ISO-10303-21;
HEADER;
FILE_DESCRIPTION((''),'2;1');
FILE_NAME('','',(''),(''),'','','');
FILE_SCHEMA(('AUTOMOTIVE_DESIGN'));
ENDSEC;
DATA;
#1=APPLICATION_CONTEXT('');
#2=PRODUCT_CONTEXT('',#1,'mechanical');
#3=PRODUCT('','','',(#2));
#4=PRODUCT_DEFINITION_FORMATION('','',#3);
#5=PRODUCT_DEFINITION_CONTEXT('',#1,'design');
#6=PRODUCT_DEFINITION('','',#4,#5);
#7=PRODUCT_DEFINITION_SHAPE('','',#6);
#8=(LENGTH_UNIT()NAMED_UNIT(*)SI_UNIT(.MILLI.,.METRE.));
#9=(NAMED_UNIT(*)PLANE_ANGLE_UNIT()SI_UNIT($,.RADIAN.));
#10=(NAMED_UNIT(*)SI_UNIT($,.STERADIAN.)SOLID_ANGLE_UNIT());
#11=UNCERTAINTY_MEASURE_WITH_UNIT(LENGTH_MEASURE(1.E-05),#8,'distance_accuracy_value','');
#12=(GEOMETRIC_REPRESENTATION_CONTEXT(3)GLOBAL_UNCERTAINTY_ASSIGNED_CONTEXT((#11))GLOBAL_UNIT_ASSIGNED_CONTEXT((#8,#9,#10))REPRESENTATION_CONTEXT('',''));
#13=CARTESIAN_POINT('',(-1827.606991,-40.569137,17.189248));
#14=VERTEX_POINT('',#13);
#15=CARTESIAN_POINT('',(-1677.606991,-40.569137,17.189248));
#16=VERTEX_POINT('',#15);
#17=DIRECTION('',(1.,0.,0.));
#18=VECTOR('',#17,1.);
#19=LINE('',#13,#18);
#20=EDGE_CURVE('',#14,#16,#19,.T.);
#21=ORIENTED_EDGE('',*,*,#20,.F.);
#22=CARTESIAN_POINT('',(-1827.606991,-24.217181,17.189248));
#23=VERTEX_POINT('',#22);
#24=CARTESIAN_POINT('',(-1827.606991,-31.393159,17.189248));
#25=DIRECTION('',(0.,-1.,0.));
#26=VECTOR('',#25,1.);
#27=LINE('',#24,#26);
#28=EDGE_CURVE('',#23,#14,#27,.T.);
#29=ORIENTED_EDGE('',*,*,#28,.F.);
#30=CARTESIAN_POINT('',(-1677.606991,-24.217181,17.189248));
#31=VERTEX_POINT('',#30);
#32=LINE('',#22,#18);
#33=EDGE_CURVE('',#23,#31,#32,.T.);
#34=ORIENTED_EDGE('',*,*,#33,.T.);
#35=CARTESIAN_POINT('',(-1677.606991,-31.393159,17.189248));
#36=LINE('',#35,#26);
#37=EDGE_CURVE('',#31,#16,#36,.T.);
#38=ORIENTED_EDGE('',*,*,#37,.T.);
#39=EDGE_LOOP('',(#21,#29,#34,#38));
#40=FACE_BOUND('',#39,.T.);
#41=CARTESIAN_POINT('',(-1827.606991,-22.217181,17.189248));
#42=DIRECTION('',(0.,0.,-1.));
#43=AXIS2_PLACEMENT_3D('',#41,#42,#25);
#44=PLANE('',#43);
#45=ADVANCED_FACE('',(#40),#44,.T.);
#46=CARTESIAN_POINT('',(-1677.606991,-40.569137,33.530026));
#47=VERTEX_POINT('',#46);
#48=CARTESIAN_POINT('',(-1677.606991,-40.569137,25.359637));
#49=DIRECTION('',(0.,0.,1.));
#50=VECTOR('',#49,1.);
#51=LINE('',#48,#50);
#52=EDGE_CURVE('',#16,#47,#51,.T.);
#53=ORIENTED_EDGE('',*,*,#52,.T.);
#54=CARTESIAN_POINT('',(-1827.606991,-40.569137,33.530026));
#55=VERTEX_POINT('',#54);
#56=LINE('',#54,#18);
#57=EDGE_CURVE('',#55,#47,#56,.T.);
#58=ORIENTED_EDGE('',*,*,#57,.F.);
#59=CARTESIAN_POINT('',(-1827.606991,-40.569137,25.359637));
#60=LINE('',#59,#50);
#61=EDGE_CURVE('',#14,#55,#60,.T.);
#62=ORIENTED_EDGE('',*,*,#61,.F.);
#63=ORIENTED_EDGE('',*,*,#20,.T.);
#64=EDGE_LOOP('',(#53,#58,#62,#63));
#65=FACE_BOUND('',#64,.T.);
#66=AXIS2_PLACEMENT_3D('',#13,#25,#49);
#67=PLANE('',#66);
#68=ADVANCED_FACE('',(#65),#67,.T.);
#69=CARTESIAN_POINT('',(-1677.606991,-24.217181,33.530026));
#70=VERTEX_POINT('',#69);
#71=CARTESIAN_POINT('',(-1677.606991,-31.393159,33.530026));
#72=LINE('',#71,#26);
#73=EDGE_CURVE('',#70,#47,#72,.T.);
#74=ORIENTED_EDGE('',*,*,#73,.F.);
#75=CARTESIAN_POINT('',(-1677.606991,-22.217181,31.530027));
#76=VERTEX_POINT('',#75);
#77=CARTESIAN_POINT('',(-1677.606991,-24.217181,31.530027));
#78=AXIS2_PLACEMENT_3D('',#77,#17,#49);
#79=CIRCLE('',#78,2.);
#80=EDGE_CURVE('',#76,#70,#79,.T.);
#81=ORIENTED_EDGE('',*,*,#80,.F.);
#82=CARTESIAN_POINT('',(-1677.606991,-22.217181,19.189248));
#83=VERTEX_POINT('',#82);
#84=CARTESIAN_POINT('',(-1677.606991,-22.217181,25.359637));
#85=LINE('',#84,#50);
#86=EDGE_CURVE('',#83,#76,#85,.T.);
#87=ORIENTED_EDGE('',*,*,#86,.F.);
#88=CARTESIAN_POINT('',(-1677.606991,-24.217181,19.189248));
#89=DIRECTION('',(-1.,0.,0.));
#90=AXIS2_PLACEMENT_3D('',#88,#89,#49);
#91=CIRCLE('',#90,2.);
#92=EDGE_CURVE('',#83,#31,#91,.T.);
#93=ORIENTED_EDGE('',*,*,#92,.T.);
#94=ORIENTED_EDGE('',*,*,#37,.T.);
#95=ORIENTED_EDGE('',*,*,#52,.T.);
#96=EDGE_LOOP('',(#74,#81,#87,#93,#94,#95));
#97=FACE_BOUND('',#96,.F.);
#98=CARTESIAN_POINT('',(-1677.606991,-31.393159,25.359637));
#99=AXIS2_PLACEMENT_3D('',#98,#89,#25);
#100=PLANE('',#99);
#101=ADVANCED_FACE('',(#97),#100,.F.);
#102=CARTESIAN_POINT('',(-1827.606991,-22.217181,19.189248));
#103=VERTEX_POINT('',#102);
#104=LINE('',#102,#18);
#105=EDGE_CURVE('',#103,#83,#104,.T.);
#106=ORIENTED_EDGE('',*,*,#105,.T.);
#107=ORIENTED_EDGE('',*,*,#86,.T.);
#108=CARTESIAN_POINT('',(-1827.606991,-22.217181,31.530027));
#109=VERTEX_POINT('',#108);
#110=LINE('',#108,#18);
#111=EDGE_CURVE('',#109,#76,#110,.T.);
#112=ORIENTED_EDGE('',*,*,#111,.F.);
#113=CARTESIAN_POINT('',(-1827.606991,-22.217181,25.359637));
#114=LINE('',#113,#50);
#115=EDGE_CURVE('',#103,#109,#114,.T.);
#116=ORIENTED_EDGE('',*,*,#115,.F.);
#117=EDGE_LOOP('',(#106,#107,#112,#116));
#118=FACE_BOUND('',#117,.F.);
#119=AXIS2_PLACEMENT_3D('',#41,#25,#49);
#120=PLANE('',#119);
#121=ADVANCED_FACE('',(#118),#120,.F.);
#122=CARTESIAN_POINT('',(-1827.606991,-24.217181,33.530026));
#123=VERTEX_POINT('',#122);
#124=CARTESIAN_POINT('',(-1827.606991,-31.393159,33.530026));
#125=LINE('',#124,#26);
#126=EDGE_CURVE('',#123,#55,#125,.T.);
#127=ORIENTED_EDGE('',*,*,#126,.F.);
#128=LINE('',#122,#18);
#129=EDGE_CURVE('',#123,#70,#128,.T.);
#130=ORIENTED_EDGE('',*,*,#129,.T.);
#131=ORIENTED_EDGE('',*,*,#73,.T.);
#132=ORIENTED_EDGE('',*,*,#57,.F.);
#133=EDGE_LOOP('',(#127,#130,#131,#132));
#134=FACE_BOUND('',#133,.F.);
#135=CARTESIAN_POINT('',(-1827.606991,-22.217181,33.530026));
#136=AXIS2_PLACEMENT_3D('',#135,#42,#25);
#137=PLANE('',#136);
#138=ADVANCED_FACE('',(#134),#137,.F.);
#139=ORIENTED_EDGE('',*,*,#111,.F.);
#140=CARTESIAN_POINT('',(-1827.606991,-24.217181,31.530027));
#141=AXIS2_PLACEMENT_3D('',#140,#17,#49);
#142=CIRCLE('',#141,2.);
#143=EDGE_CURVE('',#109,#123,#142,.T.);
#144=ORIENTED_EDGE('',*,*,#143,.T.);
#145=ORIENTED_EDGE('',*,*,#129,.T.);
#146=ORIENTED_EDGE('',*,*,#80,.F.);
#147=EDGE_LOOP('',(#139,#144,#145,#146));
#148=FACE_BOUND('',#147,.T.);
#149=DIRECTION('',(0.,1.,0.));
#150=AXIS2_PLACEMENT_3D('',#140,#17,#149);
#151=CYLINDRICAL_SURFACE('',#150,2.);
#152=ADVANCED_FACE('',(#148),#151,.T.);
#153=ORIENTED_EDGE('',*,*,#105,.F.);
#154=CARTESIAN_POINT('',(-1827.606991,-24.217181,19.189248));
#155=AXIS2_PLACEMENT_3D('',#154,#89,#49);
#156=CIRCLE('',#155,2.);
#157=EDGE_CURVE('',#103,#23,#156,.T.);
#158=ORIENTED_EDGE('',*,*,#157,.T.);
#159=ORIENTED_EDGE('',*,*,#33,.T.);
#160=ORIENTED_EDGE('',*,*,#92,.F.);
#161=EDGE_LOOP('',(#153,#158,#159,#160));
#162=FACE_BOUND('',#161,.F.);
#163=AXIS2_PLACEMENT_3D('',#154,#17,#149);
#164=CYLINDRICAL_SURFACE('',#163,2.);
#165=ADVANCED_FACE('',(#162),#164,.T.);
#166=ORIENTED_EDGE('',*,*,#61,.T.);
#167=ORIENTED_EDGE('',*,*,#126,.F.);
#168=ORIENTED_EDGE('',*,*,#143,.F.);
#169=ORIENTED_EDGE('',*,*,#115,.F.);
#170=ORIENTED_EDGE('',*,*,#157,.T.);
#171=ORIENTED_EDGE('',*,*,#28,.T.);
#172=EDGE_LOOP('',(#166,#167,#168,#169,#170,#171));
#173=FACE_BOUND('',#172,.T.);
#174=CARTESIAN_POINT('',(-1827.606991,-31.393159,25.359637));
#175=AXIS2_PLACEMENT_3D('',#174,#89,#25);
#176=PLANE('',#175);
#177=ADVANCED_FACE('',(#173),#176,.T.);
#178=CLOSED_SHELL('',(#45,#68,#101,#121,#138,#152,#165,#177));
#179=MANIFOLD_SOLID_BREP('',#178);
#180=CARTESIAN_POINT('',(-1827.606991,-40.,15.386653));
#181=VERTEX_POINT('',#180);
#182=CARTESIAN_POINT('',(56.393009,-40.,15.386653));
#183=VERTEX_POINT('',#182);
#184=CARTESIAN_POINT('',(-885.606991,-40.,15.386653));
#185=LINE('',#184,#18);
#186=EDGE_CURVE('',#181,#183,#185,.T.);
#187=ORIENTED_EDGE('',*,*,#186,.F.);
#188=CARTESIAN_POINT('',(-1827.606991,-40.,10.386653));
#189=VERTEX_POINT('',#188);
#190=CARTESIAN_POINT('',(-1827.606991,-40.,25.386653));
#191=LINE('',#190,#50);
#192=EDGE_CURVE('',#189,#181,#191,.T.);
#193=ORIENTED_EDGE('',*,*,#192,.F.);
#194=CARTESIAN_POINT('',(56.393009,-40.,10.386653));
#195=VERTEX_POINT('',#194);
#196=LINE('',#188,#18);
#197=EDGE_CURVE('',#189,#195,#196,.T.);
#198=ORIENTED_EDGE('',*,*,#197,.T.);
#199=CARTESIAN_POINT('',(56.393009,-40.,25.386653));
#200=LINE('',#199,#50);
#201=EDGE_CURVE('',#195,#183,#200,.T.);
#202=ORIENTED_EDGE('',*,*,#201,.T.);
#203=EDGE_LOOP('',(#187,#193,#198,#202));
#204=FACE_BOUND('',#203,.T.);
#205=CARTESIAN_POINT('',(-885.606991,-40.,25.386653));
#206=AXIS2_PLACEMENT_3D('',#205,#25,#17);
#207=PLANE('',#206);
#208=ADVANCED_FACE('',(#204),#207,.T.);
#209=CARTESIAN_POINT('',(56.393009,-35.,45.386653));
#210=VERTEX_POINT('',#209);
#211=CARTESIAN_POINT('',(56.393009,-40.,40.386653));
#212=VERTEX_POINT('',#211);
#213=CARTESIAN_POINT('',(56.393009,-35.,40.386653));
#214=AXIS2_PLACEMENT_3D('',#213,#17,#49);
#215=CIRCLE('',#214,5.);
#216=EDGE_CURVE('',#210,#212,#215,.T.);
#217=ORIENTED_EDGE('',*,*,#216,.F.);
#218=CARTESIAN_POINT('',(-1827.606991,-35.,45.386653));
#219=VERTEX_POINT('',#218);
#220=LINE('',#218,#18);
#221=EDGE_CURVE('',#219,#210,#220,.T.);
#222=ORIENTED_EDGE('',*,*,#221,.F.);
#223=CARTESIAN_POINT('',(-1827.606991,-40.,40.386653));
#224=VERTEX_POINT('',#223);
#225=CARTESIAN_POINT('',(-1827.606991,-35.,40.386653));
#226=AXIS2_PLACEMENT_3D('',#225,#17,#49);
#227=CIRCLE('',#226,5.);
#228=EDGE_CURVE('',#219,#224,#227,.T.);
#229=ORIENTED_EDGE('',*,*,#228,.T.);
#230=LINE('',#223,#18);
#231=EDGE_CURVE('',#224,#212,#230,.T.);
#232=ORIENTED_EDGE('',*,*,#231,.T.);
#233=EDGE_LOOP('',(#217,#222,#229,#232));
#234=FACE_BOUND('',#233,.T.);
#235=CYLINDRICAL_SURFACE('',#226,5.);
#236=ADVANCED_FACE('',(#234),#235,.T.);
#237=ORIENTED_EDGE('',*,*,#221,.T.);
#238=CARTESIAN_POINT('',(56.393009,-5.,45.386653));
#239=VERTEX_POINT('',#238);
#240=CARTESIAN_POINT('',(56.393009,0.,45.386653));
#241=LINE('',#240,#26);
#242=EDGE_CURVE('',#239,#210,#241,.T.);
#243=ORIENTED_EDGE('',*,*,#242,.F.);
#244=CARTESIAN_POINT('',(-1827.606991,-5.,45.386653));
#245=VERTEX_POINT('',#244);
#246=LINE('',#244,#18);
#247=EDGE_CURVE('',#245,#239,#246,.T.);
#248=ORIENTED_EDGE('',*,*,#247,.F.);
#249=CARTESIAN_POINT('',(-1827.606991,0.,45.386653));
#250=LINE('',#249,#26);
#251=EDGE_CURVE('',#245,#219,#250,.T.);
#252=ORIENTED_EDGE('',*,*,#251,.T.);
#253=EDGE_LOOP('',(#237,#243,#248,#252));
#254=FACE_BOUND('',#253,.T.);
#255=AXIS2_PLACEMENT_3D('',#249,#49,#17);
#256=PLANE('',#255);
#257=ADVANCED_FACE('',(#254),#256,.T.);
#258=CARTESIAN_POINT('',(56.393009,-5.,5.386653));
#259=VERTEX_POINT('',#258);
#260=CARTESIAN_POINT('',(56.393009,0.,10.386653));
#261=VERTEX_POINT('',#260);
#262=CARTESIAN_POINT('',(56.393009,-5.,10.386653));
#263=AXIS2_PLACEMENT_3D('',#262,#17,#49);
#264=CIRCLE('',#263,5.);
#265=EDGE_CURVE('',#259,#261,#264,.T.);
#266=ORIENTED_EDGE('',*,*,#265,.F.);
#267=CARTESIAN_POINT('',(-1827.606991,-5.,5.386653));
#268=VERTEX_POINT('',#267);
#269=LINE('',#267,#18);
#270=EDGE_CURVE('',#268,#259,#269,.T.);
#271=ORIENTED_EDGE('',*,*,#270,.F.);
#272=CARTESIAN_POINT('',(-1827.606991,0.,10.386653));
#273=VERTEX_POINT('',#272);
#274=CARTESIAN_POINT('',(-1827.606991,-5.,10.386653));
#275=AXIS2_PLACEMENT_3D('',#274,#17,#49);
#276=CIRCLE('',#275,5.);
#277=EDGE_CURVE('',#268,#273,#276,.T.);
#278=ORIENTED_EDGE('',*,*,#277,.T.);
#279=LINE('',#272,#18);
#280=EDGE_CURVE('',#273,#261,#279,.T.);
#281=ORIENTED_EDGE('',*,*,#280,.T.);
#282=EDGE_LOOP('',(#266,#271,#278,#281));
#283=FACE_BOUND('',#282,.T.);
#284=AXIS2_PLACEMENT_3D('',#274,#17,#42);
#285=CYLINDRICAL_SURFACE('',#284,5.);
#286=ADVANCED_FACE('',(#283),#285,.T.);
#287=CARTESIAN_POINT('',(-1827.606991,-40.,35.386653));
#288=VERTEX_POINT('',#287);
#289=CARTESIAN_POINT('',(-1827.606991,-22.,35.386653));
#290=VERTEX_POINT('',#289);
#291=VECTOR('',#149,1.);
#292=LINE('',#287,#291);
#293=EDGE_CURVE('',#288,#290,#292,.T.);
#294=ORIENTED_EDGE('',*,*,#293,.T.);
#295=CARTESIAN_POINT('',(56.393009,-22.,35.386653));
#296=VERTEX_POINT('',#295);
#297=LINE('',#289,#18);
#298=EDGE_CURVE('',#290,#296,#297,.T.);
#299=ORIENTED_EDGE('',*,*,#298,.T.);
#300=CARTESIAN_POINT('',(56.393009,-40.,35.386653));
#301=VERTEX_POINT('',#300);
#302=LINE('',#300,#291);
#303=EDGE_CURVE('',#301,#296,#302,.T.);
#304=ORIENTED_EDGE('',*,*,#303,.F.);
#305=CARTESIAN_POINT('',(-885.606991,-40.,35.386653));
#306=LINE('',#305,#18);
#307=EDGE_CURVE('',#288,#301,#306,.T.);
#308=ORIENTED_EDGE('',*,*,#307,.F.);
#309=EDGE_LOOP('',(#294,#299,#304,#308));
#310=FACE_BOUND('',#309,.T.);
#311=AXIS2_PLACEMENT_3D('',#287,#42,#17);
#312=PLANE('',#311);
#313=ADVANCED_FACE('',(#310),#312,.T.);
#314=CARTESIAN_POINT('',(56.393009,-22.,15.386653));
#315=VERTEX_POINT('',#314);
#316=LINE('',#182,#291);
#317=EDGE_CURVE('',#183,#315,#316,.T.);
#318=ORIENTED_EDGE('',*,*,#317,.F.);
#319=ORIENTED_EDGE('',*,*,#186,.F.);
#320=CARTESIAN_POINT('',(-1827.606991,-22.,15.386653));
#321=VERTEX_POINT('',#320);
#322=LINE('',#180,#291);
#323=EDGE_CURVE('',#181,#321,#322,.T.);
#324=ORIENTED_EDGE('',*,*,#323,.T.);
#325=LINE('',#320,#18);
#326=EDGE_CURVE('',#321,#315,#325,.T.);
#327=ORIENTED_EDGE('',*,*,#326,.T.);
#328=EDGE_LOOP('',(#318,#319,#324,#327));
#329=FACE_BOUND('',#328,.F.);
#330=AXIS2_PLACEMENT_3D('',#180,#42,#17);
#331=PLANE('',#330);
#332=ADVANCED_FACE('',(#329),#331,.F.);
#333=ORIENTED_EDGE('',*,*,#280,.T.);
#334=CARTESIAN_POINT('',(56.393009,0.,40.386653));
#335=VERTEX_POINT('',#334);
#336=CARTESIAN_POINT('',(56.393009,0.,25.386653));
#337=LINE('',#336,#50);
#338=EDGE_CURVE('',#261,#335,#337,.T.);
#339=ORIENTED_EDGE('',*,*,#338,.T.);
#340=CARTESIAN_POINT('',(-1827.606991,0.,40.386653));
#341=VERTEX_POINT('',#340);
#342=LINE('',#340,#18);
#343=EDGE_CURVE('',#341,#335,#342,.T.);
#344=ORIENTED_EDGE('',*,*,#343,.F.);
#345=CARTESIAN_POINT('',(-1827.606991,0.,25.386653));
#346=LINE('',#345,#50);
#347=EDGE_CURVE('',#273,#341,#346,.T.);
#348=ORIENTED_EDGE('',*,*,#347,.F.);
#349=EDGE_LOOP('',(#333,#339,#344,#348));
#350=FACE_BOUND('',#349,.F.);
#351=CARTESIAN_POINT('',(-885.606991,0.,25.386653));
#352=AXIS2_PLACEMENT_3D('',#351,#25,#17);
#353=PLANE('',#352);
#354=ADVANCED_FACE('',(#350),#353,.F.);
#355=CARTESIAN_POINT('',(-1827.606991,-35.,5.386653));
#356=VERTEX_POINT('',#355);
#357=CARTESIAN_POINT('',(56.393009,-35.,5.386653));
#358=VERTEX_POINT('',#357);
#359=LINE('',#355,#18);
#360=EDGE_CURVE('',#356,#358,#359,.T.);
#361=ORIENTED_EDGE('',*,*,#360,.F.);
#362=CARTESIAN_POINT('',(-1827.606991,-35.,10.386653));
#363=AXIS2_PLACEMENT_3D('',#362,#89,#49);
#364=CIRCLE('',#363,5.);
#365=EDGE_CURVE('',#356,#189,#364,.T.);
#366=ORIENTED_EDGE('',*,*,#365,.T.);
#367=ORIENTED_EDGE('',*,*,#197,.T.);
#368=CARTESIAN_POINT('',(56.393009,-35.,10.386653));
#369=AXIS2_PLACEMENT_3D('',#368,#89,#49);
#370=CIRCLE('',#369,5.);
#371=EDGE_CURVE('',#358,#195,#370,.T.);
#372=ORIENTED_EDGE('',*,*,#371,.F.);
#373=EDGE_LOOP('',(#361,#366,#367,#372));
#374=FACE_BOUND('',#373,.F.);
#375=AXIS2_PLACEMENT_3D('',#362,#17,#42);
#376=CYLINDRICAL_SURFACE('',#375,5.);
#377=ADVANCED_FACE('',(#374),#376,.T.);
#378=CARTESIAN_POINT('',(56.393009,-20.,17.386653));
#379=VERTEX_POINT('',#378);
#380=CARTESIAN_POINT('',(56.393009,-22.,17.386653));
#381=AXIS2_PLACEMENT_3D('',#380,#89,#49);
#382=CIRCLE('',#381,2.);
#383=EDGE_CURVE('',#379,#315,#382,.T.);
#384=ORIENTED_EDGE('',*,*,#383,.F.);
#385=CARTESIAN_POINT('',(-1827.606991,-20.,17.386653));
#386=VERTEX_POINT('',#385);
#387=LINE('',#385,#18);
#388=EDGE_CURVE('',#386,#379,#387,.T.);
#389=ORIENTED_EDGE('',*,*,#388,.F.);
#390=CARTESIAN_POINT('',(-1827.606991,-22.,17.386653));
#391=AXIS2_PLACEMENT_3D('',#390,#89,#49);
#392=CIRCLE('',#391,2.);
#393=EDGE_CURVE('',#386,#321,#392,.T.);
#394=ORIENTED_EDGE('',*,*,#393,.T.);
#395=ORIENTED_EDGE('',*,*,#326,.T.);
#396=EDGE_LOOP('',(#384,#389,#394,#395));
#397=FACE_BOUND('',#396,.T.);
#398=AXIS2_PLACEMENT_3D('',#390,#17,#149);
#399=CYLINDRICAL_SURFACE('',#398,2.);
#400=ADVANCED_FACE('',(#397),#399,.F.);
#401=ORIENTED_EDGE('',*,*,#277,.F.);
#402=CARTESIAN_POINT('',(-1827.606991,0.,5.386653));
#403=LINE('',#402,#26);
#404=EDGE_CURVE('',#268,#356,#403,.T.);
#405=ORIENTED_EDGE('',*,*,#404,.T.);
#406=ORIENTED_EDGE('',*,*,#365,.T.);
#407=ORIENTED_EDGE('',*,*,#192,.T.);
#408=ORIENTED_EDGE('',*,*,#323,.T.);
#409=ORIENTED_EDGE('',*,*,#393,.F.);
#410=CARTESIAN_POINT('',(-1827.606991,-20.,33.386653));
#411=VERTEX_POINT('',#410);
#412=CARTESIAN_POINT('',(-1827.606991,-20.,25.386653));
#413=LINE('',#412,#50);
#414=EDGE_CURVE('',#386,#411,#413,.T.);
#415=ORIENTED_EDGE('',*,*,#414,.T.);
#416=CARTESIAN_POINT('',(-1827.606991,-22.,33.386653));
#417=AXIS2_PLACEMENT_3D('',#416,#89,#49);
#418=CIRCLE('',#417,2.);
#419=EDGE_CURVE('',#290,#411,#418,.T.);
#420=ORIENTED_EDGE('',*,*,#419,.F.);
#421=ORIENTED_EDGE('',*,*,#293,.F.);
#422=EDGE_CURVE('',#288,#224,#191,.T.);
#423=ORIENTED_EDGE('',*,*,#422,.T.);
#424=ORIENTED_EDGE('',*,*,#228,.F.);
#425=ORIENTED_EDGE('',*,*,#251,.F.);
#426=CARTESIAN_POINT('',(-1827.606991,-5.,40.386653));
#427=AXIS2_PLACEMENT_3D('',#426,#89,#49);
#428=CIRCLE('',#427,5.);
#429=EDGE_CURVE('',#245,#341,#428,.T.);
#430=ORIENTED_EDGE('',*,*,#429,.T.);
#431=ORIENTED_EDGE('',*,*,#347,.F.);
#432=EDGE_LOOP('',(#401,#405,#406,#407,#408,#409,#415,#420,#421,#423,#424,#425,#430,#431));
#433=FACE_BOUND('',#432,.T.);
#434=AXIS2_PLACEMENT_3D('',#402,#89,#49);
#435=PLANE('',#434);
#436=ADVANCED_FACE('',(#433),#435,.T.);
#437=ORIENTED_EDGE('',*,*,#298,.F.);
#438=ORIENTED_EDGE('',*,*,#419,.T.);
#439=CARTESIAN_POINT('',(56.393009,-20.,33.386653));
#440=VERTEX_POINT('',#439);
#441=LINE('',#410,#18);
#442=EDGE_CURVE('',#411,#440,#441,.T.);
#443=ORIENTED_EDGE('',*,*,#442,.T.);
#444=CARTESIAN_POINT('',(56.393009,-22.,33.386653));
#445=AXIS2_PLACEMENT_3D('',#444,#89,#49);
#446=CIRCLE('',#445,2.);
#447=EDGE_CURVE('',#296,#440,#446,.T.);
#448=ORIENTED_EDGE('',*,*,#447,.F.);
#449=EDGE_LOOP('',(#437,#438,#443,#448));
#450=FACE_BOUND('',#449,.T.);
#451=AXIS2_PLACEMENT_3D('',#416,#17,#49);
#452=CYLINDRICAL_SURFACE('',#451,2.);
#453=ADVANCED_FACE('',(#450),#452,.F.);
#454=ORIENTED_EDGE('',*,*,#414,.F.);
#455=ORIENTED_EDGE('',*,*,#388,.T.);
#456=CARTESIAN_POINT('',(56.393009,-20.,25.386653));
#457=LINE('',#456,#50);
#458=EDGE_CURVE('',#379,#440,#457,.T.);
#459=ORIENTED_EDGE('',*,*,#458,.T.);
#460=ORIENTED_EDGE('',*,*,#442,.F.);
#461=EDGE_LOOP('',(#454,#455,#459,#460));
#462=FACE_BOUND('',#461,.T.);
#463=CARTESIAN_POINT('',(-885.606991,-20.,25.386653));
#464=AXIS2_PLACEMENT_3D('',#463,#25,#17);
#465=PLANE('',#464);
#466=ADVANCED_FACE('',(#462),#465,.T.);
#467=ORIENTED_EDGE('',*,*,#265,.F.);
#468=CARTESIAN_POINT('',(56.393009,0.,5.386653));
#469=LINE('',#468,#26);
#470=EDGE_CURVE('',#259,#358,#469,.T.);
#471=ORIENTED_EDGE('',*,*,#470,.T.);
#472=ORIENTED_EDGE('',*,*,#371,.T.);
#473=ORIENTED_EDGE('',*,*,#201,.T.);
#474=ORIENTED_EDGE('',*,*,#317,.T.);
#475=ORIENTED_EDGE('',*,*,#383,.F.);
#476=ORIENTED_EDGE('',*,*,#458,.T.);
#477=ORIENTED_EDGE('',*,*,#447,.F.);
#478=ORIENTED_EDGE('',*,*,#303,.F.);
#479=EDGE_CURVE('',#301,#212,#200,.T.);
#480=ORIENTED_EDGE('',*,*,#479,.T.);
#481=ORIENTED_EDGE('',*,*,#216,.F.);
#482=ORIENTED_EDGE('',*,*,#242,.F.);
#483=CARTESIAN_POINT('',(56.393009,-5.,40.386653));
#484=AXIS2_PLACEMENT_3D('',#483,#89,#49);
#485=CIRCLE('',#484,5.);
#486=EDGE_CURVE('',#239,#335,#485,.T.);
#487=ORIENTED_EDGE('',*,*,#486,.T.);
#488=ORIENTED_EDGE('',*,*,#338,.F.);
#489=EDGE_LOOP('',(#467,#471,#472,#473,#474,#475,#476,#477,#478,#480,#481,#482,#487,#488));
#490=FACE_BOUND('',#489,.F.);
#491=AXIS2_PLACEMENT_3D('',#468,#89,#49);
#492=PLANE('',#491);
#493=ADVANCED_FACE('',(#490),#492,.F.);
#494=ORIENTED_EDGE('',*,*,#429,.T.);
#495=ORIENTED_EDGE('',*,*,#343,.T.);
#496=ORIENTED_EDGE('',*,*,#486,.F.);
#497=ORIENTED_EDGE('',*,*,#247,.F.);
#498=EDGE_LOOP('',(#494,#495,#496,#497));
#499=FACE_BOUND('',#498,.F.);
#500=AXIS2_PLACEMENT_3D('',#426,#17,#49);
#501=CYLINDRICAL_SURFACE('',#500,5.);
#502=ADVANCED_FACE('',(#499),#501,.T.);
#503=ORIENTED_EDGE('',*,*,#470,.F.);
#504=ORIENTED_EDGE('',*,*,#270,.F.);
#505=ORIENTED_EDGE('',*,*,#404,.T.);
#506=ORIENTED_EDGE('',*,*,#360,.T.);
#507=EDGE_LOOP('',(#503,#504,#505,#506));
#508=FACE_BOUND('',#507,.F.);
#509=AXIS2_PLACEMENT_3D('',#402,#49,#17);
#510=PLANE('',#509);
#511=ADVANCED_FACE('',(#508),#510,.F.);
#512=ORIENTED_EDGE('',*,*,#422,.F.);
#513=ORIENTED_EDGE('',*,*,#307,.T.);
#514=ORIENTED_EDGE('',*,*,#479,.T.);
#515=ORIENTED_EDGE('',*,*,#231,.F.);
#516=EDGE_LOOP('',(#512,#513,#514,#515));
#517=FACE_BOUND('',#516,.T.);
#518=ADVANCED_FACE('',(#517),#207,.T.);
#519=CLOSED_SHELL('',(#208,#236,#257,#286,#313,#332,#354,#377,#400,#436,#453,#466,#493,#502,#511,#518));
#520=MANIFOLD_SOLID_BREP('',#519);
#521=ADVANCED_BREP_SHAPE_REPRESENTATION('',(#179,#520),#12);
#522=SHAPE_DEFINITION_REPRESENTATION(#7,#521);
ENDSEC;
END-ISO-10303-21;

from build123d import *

# Parameters (mm, degrees)
F0_W     = 1884
F0_H     = 40
F1_DEPTH = 40
F2_R     = 5
F3_W     = 1884
F3_H     = 20
F4_DEPTH = 20
F5_W     = 18.351957
F5_H     = 16.340779
F6_DEPTH = 150
F7_R     = 2
F8_R     = 2


with BuildPart() as f1:
    # F0 (on Front) → F1 (new body)
    with BuildSketch(Plane.XZ):
        with Locations((-885.606991, 25.386653)):
            Rectangle(F0_W, F0_H)
    extrude(amount=F1_DEPTH)

    # F2
    f2_edges = [f1.edges().sort_by_distance(p)[0] for p in [
        (-885.606991, -40, 45.386653),
        (-885.606991, 0, 45.386653),
        (-885.606991, -40, 5.386653),
        (-885.606991, 0, 5.386653),
    ]]
    fillet(f2_edges, radius=F2_R)

    # F3 (on face) → F4 (cut)
    with BuildSketch(Plane.XZ.offset(40)):
        with Locations((-885.606991, 25.386653)):
            Rectangle(F3_W, F3_H)
    extrude(amount=-F4_DEPTH, mode=Mode.SUBTRACT)

    # F8
    f8_edges = [f1.edges().sort_by_distance(p)[0] for p in [
        (-885.606991, -20, 15.386653),
        (-885.606991, -20, 35.386653),
    ]]
    fillet(f8_edges, radius=F8_R)


with BuildPart() as f6:
    # F5 (on face) → F6 (new body)
    with BuildSketch(Plane(origin=(-1827.606991, 0, 0), x_dir=(0, -1, 0), z_dir=(-1, 0, 0))):
        with Locations((31.393159, 25.359637)):
            Rectangle(F5_W, F5_H)
    extrude(amount=-F6_DEPTH)

    # F7
    f7_edges = [f6.edges().sort_by_distance(p)[0] for p in [
        (-1752.606991, -22.217181, 33.530027),
        (-1752.606991, -22.217181, 17.189248),
    ]]
    fillet(f7_edges, radius=F7_R)


solid = Compound([f1.part, f6.part])
